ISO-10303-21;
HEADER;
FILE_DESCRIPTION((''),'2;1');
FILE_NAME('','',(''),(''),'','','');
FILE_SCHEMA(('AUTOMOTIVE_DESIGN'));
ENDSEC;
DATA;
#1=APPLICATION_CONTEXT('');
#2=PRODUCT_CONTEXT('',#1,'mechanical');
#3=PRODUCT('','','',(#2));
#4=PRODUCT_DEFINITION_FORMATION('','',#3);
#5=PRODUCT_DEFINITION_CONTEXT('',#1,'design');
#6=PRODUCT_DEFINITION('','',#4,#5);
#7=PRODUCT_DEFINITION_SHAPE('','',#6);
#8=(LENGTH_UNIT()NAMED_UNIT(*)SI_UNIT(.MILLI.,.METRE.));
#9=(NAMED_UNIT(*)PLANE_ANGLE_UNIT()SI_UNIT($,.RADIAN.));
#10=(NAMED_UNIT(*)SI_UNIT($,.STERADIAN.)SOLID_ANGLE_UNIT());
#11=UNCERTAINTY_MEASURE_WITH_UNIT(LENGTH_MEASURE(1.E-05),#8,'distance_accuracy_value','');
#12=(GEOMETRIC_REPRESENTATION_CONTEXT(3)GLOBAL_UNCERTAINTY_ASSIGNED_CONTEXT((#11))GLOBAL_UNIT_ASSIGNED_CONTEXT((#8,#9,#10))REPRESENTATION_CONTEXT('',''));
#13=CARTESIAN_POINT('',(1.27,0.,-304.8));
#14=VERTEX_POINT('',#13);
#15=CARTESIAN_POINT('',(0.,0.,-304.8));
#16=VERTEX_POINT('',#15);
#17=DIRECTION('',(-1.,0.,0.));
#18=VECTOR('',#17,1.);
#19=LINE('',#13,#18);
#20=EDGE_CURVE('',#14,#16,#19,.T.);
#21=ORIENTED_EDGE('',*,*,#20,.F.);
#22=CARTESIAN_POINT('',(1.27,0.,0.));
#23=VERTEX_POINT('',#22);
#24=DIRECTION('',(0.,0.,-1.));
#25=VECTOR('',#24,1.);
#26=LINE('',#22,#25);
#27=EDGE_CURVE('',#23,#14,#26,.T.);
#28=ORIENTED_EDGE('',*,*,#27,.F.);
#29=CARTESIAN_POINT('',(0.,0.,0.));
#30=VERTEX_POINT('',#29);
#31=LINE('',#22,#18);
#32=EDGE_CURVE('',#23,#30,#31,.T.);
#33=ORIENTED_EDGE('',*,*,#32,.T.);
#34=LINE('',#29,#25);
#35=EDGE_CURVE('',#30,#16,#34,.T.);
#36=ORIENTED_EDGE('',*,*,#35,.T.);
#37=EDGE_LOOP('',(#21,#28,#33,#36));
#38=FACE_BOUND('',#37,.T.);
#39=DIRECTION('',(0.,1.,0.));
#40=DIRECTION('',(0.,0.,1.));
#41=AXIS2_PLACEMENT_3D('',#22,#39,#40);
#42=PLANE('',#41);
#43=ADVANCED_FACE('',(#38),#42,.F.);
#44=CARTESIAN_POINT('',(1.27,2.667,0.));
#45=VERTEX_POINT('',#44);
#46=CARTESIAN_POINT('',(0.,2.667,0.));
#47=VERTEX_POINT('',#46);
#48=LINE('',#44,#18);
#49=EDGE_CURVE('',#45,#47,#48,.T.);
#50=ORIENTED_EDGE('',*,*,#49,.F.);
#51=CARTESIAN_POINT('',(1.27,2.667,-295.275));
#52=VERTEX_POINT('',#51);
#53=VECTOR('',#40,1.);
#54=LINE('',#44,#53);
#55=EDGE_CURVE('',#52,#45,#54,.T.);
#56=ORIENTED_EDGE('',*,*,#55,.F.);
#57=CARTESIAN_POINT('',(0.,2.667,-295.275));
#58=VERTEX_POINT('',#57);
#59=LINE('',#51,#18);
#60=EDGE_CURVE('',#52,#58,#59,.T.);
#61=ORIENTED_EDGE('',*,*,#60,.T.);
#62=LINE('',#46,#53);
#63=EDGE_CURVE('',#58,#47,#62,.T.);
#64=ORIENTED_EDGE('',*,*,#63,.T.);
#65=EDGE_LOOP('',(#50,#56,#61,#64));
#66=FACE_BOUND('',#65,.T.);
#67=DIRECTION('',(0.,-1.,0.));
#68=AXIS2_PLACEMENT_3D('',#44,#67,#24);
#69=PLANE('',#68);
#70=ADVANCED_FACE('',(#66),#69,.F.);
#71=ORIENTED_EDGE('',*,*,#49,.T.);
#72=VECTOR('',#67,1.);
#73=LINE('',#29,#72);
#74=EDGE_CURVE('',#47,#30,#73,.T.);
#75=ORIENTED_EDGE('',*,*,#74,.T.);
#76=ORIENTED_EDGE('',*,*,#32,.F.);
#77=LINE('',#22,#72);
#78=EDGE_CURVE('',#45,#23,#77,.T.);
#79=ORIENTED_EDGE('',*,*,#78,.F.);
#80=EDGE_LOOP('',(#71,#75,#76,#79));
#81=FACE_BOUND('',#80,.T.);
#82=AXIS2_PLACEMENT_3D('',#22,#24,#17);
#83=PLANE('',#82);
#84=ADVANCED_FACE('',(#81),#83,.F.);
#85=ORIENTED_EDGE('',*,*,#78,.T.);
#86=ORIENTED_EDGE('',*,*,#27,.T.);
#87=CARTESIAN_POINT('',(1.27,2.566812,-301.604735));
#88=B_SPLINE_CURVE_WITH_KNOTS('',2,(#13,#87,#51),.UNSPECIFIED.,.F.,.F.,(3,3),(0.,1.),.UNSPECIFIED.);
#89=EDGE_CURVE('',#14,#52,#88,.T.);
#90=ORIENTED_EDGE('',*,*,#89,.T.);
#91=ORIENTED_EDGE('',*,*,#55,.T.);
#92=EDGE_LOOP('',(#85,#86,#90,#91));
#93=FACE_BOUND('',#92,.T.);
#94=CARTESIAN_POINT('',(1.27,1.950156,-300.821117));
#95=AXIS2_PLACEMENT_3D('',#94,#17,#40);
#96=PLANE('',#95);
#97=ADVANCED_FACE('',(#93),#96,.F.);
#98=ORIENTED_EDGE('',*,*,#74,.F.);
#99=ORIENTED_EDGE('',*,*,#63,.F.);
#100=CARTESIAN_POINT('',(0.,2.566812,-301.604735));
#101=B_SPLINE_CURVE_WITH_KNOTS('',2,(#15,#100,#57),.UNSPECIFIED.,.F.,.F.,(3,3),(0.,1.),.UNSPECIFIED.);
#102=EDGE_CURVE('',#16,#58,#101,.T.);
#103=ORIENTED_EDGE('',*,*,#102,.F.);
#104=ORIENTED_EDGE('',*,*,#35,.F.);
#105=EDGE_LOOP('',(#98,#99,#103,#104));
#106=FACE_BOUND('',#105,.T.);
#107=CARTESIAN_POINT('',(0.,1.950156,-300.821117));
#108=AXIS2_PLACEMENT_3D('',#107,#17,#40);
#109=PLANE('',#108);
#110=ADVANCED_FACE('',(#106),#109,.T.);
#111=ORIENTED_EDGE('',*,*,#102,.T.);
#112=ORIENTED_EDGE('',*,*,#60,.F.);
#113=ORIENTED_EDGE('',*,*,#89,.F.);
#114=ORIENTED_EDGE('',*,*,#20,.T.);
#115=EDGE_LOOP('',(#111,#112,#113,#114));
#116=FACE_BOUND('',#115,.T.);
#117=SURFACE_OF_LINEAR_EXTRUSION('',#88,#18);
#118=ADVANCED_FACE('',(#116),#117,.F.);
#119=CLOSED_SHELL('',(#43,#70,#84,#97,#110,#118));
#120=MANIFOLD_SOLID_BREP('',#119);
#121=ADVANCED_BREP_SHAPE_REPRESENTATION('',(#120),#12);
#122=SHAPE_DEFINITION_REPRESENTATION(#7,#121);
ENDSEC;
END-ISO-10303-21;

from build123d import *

# Parameters (mm, degrees)
BOSS_EXTRUDE1_DEPTH = 1.27


with BuildPart() as part:
    # Sketch1 → Boss-Extrude1 (new body)
    with BuildSketch(Plane(origin=(0, 0, 0), x_dir=(0, 0, -1), z_dir=(1, 0, 0))):
        with BuildLine():
            Line((0, 0), (304.8, 0))
            add(Edge.make_bspline(
                [(304.8, 0), (301.604734919, 2.56681203), (295.275, 2.667)],
                knots=[0, 0, 0, 1, 1, 1], degree=2))
            Line((295.275, 2.667), (0, 2.667))
            Line((0, 2.667), (0, 0))
        make_face()
    extrude(amount=BOSS_EXTRUDE1_DEPTH)


solid = part.part
